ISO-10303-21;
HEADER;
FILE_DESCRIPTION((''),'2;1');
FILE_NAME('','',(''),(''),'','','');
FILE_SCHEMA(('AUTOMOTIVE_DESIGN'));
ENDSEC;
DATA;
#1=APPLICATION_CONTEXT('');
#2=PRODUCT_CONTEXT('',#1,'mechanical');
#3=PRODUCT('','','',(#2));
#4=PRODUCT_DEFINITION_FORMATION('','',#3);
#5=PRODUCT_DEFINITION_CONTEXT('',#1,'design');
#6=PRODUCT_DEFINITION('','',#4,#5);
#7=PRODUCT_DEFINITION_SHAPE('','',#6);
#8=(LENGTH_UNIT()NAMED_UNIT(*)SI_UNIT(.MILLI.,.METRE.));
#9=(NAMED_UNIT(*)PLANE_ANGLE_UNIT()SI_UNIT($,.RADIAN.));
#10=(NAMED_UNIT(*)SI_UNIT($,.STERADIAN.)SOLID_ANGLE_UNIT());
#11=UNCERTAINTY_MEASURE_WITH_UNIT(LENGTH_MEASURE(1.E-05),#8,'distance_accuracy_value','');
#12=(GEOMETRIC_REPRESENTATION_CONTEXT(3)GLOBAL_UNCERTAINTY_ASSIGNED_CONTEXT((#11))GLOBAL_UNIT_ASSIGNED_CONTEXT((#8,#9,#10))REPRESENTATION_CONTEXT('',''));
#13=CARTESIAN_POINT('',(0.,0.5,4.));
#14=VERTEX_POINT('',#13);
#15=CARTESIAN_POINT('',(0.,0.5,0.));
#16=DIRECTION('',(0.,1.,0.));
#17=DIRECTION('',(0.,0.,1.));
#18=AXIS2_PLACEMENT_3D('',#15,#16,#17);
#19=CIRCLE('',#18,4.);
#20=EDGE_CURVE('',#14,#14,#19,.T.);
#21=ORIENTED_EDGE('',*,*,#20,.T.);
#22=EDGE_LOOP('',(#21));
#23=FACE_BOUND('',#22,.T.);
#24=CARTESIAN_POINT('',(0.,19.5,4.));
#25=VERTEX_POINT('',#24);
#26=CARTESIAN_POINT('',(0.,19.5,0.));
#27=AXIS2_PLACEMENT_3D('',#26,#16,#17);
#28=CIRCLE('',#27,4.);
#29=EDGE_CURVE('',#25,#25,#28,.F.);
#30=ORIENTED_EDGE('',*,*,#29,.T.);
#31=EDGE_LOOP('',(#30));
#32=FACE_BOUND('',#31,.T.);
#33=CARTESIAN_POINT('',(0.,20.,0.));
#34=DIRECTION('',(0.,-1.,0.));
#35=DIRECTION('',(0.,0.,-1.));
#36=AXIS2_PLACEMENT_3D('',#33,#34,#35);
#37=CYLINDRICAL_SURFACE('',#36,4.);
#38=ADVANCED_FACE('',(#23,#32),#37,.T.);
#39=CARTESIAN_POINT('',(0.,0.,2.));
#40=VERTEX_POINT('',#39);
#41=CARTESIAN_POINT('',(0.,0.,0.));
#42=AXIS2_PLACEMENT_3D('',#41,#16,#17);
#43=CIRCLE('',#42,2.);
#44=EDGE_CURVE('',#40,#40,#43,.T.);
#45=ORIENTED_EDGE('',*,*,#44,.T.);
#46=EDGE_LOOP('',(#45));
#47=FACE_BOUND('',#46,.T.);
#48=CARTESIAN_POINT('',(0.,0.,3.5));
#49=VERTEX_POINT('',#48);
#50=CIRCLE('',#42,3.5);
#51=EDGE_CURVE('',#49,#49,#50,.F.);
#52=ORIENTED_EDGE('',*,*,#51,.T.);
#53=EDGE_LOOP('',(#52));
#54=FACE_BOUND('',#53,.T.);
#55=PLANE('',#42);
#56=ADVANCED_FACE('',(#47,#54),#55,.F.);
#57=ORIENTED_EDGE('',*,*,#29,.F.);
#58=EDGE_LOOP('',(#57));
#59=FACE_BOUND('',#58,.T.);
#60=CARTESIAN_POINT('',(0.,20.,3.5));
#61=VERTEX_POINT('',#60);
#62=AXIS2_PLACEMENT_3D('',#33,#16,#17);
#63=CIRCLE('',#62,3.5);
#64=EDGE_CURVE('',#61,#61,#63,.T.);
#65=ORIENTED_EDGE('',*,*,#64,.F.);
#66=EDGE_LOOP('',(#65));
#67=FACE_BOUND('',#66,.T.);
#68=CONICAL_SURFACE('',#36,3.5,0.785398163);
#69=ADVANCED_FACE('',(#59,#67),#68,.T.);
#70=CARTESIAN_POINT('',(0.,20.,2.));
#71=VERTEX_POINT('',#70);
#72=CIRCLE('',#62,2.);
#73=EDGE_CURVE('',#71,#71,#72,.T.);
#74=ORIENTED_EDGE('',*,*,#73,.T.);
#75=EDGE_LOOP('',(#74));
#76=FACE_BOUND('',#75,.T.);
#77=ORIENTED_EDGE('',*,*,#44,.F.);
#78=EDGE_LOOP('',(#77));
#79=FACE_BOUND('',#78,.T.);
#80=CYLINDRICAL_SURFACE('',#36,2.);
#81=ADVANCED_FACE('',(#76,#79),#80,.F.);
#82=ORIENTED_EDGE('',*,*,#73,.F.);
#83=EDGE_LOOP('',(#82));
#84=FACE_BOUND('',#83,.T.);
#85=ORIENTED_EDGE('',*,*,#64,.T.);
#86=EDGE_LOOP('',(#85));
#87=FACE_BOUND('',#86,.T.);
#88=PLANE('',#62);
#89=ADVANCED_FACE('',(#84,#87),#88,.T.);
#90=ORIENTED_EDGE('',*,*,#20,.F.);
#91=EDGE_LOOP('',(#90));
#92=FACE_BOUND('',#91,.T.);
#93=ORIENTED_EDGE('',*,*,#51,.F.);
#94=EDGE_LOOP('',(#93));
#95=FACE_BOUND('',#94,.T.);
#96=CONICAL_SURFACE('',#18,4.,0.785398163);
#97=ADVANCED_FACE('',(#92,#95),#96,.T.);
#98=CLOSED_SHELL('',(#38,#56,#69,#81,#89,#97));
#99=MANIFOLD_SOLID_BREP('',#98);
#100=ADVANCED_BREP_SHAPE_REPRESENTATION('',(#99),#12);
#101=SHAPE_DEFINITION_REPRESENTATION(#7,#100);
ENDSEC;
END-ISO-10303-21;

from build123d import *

# Parameters (mm, degrees)
SKETCH1_R           = 4
SKETCH1_R_2         = 2
BOSS_EXTRUDE1_DEPTH = 20
CHAMFER1_SIZE       = 0.5


with BuildPart() as part:
    # Sketch1 → Boss-Extrude1 (new body)
    with BuildSketch(Plane(origin=(0, 0, 0), x_dir=(1, 0, 0), z_dir=(0, 1, 0))):
        with Locations(Location((0, 0, 0), (0, 0, 270))):
            Circle(SKETCH1_R)
        with Locations(Location((0, 0, 0), (0, 0, 270))):
            Circle(SKETCH1_R_2, mode=Mode.SUBTRACT)
    extrude(amount=BOSS_EXTRUDE1_DEPTH)

    # Chamfer1
    chamfer1_edges = [part.edges().sort_by_distance(p)[0] for p in [
        (0, 0, -4),
        (0, 20, -4),
    ]]
    chamfer(chamfer1_edges, length=CHAMFER1_SIZE)


solid = part.part
